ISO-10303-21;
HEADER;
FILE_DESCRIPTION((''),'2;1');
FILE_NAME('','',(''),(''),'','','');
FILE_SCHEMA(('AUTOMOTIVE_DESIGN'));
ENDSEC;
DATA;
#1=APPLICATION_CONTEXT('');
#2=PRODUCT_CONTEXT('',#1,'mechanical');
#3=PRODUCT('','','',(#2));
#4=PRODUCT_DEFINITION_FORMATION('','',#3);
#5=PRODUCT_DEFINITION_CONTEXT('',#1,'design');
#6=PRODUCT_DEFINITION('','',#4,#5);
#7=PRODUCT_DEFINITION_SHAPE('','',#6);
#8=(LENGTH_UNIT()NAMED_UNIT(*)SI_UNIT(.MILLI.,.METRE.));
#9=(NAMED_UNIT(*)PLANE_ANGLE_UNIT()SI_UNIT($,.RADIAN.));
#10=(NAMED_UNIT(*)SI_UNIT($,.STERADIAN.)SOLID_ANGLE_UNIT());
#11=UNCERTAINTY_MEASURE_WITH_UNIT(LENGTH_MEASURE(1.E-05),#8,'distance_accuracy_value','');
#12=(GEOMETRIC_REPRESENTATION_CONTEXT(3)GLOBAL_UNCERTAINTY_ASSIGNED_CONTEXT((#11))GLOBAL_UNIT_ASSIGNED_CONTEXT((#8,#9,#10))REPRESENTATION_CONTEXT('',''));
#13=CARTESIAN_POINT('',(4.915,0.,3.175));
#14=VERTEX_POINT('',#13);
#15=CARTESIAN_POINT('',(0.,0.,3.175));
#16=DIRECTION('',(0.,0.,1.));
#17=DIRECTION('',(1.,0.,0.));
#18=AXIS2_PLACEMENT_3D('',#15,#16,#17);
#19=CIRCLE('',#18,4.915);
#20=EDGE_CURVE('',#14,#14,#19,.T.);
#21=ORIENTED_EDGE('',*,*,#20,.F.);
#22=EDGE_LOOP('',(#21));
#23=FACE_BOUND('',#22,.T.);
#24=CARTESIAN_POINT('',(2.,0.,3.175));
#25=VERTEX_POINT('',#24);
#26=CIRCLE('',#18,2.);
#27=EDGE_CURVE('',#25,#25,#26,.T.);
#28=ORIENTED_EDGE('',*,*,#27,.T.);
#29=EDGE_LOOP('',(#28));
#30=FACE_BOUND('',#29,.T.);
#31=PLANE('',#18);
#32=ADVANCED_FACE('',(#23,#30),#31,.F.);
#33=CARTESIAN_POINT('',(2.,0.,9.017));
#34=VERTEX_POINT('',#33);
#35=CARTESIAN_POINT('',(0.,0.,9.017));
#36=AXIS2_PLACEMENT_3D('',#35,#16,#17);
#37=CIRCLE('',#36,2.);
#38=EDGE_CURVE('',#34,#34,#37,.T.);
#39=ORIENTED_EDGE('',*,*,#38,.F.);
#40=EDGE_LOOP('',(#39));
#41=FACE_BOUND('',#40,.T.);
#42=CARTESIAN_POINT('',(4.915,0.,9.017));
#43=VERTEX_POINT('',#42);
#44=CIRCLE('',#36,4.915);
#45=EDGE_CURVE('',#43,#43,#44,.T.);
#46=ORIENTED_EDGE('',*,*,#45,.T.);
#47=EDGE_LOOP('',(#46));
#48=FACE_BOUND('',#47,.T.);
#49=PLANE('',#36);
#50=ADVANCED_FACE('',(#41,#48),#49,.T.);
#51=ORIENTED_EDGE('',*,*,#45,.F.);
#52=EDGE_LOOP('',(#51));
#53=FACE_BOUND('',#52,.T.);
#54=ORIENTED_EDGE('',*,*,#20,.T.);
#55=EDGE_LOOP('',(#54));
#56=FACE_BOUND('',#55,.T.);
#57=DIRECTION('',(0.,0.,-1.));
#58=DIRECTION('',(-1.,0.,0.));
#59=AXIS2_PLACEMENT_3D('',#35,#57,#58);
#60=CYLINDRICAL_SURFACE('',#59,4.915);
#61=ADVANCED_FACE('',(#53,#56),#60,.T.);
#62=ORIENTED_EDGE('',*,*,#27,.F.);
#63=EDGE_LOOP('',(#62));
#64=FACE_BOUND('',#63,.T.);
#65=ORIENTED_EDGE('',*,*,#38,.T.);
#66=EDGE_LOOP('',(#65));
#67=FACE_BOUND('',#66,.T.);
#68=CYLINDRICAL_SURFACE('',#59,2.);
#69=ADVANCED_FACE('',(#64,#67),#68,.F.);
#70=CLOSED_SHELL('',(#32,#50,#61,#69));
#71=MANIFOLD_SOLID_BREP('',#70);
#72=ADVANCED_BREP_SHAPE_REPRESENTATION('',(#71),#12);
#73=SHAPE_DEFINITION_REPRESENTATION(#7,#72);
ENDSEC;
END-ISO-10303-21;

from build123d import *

# Parameters (mm, degrees)
SKETCH1_R           = 4.915
SKETCH1_R_2         = 2
BOSS_EXTRUDE1_DEPTH = 5.842


with BuildPart() as part:
    # Sketch1 → Boss-Extrude1 (new body)
    with BuildSketch(Plane.XY.offset(3.175)):
        Circle(SKETCH1_R)
        Circle(SKETCH1_R_2, mode=Mode.SUBTRACT)
    extrude(amount=BOSS_EXTRUDE1_DEPTH)


solid = part.part
